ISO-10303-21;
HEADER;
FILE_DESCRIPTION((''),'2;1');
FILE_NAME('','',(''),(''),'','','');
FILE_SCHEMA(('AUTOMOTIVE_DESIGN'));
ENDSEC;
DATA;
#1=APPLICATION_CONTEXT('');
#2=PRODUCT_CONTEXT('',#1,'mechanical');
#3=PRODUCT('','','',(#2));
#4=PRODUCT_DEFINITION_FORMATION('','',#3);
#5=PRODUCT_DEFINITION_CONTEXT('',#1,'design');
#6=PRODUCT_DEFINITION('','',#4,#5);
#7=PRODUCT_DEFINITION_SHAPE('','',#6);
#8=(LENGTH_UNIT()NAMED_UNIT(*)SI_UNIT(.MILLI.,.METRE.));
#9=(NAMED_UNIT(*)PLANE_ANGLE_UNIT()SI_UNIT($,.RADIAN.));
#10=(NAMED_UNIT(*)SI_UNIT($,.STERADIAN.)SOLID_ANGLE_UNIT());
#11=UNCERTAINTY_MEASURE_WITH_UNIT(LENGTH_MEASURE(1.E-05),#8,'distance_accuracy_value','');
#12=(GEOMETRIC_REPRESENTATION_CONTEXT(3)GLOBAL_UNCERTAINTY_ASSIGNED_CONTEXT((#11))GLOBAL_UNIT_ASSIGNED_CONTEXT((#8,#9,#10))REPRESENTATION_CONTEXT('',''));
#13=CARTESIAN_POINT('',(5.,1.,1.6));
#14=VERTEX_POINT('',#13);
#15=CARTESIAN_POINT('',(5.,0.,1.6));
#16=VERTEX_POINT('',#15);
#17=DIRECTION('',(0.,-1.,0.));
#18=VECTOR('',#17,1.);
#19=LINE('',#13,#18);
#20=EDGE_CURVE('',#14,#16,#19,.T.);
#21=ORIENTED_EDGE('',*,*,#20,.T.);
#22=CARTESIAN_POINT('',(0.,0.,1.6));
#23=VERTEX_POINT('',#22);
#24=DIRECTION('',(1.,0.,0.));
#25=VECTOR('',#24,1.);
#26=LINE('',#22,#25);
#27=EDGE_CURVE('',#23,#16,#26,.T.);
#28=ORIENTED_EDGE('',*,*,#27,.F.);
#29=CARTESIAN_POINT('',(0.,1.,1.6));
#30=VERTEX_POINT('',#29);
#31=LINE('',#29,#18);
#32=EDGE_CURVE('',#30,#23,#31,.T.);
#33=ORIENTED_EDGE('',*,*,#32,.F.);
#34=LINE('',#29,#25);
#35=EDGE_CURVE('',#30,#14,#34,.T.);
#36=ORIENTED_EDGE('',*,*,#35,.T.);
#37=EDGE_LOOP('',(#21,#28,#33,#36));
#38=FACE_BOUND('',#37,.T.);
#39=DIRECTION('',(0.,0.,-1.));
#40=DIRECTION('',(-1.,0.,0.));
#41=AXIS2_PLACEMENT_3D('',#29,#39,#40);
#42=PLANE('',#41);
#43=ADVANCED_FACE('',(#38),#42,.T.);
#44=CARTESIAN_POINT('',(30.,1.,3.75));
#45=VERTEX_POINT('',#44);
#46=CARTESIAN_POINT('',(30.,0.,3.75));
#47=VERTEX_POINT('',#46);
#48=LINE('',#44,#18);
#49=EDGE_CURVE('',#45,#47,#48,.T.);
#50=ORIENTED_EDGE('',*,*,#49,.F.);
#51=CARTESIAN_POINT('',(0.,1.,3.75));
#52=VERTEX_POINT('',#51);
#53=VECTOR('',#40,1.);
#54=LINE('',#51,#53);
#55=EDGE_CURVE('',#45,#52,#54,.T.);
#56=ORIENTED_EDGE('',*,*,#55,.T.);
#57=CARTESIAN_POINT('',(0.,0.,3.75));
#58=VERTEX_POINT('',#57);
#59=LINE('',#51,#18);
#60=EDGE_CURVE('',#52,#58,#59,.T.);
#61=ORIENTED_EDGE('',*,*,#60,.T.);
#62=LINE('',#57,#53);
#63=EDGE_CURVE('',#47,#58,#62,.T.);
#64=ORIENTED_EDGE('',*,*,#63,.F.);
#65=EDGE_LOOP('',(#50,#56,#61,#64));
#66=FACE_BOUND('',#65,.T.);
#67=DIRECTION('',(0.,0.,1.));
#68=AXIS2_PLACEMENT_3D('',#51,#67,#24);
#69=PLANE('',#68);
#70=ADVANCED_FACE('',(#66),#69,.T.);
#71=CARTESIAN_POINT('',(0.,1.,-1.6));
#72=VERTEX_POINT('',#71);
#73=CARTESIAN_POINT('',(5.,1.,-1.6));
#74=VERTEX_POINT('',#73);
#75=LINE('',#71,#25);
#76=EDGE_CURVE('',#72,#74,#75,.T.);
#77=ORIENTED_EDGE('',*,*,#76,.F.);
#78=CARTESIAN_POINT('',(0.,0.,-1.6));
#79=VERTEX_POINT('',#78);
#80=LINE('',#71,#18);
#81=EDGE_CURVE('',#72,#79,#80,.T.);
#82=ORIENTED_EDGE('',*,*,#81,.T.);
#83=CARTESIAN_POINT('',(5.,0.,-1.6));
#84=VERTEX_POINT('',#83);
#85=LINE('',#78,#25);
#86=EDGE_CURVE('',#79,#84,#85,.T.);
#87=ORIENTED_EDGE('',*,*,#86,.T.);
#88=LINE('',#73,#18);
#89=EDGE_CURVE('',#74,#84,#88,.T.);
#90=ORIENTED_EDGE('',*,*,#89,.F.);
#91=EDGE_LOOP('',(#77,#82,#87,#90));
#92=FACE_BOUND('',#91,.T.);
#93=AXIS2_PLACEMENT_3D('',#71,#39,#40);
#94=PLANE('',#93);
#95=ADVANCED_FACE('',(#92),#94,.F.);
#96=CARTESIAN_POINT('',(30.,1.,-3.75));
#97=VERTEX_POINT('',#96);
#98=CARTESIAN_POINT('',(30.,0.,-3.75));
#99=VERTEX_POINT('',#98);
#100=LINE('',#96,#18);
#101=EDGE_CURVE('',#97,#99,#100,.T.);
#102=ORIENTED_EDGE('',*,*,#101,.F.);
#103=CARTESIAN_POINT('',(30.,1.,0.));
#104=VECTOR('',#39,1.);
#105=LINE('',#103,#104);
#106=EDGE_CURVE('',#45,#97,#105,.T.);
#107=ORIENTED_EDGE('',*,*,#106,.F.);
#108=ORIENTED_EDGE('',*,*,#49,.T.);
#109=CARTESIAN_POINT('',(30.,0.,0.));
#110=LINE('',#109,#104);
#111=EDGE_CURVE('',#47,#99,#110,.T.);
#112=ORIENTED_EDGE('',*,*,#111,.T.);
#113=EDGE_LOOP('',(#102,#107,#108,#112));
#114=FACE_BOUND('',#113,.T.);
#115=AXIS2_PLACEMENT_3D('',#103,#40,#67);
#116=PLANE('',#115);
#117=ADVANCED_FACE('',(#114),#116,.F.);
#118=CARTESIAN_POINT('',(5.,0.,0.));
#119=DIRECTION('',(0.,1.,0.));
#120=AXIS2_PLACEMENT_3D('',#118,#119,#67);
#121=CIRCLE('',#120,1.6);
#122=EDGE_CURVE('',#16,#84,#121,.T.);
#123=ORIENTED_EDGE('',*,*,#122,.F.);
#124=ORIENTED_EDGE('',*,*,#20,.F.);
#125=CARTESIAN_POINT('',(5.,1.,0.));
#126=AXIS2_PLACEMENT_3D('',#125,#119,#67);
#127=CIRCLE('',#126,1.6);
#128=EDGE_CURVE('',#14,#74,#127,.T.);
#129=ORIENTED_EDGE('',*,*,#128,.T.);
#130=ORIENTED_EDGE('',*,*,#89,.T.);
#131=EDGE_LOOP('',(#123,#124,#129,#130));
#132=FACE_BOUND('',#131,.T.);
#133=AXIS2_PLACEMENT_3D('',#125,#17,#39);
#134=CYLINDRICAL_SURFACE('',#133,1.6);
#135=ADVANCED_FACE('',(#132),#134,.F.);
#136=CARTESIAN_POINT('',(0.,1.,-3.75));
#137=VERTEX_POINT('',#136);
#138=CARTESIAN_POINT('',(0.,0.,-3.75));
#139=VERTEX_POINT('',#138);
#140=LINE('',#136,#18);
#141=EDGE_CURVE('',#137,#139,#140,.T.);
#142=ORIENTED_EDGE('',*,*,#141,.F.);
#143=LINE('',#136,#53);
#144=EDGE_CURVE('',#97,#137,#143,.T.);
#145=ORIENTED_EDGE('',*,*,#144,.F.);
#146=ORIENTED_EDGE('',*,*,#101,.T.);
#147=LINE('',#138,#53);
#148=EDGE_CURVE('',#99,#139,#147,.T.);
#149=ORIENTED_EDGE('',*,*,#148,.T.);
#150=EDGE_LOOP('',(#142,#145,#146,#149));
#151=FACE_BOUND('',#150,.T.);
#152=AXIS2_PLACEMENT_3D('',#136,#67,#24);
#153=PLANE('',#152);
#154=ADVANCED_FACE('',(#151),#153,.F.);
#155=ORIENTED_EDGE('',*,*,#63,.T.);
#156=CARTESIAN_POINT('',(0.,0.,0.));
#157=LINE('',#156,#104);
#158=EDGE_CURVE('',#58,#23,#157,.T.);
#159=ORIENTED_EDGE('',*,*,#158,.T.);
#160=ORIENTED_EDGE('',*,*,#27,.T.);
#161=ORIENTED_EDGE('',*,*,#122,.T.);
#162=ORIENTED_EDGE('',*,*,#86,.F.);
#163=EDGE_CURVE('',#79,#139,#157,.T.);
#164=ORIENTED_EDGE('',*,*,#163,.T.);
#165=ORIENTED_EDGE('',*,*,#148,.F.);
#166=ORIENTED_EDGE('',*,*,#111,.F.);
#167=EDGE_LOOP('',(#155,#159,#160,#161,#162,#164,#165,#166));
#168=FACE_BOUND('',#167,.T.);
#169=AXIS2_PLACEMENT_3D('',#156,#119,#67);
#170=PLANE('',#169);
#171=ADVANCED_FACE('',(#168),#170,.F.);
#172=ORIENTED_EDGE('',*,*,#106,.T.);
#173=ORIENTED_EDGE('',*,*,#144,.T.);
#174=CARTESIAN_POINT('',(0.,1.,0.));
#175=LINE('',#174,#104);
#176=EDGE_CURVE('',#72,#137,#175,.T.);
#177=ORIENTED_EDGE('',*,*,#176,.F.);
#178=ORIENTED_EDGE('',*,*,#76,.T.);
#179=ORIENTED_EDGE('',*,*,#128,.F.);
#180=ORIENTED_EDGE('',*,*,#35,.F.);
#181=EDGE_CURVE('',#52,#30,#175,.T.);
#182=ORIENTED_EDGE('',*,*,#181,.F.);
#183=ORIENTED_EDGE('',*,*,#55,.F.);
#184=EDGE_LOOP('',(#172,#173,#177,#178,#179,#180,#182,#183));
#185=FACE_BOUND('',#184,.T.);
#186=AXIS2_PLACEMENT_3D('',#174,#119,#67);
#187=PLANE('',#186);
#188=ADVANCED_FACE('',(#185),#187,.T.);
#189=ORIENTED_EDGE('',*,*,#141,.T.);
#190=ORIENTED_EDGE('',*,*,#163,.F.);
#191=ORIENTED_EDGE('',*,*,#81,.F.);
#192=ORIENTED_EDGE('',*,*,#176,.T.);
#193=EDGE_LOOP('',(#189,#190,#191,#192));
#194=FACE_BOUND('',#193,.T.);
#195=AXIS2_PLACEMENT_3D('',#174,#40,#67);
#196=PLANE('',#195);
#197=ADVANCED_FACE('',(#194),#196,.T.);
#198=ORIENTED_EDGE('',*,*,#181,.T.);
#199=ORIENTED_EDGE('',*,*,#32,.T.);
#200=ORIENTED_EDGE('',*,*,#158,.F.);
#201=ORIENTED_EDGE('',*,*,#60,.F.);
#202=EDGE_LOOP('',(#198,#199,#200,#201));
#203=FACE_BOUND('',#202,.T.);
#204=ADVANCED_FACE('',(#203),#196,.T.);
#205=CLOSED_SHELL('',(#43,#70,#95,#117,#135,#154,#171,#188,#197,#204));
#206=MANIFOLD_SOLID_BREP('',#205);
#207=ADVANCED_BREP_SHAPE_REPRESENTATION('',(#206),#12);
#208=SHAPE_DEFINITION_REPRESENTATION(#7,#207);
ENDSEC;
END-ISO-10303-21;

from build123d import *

# Parameters (mm, degrees)
BOSS_EXTRUDE1_DEPTH = 1


with BuildPart() as part:
    # Sketch1 → Boss-Extrude1 (new body)
    with BuildSketch(Plane(origin=(0, 0, 0), x_dir=(1, 0, 0), z_dir=(0, 1, 0))):
        with BuildLine():
            Line((0, 3.75), (0, 1.6))
            Line((0, 1.6), (5, 1.6))
            ThreePointArc((5, 1.6), (6.6, 0), (5, -1.6))
            Line((5, -1.6), (0, -1.6))
            Line((0, -1.6), (0, -3.75))
            Line((0, -3.75), (30, -3.75))
            Line((30, -3.75), (30, 3.75))
            Line((30, 3.75), (0, 3.75))
        make_face()
    extrude(amount=BOSS_EXTRUDE1_DEPTH)


solid = part.part
